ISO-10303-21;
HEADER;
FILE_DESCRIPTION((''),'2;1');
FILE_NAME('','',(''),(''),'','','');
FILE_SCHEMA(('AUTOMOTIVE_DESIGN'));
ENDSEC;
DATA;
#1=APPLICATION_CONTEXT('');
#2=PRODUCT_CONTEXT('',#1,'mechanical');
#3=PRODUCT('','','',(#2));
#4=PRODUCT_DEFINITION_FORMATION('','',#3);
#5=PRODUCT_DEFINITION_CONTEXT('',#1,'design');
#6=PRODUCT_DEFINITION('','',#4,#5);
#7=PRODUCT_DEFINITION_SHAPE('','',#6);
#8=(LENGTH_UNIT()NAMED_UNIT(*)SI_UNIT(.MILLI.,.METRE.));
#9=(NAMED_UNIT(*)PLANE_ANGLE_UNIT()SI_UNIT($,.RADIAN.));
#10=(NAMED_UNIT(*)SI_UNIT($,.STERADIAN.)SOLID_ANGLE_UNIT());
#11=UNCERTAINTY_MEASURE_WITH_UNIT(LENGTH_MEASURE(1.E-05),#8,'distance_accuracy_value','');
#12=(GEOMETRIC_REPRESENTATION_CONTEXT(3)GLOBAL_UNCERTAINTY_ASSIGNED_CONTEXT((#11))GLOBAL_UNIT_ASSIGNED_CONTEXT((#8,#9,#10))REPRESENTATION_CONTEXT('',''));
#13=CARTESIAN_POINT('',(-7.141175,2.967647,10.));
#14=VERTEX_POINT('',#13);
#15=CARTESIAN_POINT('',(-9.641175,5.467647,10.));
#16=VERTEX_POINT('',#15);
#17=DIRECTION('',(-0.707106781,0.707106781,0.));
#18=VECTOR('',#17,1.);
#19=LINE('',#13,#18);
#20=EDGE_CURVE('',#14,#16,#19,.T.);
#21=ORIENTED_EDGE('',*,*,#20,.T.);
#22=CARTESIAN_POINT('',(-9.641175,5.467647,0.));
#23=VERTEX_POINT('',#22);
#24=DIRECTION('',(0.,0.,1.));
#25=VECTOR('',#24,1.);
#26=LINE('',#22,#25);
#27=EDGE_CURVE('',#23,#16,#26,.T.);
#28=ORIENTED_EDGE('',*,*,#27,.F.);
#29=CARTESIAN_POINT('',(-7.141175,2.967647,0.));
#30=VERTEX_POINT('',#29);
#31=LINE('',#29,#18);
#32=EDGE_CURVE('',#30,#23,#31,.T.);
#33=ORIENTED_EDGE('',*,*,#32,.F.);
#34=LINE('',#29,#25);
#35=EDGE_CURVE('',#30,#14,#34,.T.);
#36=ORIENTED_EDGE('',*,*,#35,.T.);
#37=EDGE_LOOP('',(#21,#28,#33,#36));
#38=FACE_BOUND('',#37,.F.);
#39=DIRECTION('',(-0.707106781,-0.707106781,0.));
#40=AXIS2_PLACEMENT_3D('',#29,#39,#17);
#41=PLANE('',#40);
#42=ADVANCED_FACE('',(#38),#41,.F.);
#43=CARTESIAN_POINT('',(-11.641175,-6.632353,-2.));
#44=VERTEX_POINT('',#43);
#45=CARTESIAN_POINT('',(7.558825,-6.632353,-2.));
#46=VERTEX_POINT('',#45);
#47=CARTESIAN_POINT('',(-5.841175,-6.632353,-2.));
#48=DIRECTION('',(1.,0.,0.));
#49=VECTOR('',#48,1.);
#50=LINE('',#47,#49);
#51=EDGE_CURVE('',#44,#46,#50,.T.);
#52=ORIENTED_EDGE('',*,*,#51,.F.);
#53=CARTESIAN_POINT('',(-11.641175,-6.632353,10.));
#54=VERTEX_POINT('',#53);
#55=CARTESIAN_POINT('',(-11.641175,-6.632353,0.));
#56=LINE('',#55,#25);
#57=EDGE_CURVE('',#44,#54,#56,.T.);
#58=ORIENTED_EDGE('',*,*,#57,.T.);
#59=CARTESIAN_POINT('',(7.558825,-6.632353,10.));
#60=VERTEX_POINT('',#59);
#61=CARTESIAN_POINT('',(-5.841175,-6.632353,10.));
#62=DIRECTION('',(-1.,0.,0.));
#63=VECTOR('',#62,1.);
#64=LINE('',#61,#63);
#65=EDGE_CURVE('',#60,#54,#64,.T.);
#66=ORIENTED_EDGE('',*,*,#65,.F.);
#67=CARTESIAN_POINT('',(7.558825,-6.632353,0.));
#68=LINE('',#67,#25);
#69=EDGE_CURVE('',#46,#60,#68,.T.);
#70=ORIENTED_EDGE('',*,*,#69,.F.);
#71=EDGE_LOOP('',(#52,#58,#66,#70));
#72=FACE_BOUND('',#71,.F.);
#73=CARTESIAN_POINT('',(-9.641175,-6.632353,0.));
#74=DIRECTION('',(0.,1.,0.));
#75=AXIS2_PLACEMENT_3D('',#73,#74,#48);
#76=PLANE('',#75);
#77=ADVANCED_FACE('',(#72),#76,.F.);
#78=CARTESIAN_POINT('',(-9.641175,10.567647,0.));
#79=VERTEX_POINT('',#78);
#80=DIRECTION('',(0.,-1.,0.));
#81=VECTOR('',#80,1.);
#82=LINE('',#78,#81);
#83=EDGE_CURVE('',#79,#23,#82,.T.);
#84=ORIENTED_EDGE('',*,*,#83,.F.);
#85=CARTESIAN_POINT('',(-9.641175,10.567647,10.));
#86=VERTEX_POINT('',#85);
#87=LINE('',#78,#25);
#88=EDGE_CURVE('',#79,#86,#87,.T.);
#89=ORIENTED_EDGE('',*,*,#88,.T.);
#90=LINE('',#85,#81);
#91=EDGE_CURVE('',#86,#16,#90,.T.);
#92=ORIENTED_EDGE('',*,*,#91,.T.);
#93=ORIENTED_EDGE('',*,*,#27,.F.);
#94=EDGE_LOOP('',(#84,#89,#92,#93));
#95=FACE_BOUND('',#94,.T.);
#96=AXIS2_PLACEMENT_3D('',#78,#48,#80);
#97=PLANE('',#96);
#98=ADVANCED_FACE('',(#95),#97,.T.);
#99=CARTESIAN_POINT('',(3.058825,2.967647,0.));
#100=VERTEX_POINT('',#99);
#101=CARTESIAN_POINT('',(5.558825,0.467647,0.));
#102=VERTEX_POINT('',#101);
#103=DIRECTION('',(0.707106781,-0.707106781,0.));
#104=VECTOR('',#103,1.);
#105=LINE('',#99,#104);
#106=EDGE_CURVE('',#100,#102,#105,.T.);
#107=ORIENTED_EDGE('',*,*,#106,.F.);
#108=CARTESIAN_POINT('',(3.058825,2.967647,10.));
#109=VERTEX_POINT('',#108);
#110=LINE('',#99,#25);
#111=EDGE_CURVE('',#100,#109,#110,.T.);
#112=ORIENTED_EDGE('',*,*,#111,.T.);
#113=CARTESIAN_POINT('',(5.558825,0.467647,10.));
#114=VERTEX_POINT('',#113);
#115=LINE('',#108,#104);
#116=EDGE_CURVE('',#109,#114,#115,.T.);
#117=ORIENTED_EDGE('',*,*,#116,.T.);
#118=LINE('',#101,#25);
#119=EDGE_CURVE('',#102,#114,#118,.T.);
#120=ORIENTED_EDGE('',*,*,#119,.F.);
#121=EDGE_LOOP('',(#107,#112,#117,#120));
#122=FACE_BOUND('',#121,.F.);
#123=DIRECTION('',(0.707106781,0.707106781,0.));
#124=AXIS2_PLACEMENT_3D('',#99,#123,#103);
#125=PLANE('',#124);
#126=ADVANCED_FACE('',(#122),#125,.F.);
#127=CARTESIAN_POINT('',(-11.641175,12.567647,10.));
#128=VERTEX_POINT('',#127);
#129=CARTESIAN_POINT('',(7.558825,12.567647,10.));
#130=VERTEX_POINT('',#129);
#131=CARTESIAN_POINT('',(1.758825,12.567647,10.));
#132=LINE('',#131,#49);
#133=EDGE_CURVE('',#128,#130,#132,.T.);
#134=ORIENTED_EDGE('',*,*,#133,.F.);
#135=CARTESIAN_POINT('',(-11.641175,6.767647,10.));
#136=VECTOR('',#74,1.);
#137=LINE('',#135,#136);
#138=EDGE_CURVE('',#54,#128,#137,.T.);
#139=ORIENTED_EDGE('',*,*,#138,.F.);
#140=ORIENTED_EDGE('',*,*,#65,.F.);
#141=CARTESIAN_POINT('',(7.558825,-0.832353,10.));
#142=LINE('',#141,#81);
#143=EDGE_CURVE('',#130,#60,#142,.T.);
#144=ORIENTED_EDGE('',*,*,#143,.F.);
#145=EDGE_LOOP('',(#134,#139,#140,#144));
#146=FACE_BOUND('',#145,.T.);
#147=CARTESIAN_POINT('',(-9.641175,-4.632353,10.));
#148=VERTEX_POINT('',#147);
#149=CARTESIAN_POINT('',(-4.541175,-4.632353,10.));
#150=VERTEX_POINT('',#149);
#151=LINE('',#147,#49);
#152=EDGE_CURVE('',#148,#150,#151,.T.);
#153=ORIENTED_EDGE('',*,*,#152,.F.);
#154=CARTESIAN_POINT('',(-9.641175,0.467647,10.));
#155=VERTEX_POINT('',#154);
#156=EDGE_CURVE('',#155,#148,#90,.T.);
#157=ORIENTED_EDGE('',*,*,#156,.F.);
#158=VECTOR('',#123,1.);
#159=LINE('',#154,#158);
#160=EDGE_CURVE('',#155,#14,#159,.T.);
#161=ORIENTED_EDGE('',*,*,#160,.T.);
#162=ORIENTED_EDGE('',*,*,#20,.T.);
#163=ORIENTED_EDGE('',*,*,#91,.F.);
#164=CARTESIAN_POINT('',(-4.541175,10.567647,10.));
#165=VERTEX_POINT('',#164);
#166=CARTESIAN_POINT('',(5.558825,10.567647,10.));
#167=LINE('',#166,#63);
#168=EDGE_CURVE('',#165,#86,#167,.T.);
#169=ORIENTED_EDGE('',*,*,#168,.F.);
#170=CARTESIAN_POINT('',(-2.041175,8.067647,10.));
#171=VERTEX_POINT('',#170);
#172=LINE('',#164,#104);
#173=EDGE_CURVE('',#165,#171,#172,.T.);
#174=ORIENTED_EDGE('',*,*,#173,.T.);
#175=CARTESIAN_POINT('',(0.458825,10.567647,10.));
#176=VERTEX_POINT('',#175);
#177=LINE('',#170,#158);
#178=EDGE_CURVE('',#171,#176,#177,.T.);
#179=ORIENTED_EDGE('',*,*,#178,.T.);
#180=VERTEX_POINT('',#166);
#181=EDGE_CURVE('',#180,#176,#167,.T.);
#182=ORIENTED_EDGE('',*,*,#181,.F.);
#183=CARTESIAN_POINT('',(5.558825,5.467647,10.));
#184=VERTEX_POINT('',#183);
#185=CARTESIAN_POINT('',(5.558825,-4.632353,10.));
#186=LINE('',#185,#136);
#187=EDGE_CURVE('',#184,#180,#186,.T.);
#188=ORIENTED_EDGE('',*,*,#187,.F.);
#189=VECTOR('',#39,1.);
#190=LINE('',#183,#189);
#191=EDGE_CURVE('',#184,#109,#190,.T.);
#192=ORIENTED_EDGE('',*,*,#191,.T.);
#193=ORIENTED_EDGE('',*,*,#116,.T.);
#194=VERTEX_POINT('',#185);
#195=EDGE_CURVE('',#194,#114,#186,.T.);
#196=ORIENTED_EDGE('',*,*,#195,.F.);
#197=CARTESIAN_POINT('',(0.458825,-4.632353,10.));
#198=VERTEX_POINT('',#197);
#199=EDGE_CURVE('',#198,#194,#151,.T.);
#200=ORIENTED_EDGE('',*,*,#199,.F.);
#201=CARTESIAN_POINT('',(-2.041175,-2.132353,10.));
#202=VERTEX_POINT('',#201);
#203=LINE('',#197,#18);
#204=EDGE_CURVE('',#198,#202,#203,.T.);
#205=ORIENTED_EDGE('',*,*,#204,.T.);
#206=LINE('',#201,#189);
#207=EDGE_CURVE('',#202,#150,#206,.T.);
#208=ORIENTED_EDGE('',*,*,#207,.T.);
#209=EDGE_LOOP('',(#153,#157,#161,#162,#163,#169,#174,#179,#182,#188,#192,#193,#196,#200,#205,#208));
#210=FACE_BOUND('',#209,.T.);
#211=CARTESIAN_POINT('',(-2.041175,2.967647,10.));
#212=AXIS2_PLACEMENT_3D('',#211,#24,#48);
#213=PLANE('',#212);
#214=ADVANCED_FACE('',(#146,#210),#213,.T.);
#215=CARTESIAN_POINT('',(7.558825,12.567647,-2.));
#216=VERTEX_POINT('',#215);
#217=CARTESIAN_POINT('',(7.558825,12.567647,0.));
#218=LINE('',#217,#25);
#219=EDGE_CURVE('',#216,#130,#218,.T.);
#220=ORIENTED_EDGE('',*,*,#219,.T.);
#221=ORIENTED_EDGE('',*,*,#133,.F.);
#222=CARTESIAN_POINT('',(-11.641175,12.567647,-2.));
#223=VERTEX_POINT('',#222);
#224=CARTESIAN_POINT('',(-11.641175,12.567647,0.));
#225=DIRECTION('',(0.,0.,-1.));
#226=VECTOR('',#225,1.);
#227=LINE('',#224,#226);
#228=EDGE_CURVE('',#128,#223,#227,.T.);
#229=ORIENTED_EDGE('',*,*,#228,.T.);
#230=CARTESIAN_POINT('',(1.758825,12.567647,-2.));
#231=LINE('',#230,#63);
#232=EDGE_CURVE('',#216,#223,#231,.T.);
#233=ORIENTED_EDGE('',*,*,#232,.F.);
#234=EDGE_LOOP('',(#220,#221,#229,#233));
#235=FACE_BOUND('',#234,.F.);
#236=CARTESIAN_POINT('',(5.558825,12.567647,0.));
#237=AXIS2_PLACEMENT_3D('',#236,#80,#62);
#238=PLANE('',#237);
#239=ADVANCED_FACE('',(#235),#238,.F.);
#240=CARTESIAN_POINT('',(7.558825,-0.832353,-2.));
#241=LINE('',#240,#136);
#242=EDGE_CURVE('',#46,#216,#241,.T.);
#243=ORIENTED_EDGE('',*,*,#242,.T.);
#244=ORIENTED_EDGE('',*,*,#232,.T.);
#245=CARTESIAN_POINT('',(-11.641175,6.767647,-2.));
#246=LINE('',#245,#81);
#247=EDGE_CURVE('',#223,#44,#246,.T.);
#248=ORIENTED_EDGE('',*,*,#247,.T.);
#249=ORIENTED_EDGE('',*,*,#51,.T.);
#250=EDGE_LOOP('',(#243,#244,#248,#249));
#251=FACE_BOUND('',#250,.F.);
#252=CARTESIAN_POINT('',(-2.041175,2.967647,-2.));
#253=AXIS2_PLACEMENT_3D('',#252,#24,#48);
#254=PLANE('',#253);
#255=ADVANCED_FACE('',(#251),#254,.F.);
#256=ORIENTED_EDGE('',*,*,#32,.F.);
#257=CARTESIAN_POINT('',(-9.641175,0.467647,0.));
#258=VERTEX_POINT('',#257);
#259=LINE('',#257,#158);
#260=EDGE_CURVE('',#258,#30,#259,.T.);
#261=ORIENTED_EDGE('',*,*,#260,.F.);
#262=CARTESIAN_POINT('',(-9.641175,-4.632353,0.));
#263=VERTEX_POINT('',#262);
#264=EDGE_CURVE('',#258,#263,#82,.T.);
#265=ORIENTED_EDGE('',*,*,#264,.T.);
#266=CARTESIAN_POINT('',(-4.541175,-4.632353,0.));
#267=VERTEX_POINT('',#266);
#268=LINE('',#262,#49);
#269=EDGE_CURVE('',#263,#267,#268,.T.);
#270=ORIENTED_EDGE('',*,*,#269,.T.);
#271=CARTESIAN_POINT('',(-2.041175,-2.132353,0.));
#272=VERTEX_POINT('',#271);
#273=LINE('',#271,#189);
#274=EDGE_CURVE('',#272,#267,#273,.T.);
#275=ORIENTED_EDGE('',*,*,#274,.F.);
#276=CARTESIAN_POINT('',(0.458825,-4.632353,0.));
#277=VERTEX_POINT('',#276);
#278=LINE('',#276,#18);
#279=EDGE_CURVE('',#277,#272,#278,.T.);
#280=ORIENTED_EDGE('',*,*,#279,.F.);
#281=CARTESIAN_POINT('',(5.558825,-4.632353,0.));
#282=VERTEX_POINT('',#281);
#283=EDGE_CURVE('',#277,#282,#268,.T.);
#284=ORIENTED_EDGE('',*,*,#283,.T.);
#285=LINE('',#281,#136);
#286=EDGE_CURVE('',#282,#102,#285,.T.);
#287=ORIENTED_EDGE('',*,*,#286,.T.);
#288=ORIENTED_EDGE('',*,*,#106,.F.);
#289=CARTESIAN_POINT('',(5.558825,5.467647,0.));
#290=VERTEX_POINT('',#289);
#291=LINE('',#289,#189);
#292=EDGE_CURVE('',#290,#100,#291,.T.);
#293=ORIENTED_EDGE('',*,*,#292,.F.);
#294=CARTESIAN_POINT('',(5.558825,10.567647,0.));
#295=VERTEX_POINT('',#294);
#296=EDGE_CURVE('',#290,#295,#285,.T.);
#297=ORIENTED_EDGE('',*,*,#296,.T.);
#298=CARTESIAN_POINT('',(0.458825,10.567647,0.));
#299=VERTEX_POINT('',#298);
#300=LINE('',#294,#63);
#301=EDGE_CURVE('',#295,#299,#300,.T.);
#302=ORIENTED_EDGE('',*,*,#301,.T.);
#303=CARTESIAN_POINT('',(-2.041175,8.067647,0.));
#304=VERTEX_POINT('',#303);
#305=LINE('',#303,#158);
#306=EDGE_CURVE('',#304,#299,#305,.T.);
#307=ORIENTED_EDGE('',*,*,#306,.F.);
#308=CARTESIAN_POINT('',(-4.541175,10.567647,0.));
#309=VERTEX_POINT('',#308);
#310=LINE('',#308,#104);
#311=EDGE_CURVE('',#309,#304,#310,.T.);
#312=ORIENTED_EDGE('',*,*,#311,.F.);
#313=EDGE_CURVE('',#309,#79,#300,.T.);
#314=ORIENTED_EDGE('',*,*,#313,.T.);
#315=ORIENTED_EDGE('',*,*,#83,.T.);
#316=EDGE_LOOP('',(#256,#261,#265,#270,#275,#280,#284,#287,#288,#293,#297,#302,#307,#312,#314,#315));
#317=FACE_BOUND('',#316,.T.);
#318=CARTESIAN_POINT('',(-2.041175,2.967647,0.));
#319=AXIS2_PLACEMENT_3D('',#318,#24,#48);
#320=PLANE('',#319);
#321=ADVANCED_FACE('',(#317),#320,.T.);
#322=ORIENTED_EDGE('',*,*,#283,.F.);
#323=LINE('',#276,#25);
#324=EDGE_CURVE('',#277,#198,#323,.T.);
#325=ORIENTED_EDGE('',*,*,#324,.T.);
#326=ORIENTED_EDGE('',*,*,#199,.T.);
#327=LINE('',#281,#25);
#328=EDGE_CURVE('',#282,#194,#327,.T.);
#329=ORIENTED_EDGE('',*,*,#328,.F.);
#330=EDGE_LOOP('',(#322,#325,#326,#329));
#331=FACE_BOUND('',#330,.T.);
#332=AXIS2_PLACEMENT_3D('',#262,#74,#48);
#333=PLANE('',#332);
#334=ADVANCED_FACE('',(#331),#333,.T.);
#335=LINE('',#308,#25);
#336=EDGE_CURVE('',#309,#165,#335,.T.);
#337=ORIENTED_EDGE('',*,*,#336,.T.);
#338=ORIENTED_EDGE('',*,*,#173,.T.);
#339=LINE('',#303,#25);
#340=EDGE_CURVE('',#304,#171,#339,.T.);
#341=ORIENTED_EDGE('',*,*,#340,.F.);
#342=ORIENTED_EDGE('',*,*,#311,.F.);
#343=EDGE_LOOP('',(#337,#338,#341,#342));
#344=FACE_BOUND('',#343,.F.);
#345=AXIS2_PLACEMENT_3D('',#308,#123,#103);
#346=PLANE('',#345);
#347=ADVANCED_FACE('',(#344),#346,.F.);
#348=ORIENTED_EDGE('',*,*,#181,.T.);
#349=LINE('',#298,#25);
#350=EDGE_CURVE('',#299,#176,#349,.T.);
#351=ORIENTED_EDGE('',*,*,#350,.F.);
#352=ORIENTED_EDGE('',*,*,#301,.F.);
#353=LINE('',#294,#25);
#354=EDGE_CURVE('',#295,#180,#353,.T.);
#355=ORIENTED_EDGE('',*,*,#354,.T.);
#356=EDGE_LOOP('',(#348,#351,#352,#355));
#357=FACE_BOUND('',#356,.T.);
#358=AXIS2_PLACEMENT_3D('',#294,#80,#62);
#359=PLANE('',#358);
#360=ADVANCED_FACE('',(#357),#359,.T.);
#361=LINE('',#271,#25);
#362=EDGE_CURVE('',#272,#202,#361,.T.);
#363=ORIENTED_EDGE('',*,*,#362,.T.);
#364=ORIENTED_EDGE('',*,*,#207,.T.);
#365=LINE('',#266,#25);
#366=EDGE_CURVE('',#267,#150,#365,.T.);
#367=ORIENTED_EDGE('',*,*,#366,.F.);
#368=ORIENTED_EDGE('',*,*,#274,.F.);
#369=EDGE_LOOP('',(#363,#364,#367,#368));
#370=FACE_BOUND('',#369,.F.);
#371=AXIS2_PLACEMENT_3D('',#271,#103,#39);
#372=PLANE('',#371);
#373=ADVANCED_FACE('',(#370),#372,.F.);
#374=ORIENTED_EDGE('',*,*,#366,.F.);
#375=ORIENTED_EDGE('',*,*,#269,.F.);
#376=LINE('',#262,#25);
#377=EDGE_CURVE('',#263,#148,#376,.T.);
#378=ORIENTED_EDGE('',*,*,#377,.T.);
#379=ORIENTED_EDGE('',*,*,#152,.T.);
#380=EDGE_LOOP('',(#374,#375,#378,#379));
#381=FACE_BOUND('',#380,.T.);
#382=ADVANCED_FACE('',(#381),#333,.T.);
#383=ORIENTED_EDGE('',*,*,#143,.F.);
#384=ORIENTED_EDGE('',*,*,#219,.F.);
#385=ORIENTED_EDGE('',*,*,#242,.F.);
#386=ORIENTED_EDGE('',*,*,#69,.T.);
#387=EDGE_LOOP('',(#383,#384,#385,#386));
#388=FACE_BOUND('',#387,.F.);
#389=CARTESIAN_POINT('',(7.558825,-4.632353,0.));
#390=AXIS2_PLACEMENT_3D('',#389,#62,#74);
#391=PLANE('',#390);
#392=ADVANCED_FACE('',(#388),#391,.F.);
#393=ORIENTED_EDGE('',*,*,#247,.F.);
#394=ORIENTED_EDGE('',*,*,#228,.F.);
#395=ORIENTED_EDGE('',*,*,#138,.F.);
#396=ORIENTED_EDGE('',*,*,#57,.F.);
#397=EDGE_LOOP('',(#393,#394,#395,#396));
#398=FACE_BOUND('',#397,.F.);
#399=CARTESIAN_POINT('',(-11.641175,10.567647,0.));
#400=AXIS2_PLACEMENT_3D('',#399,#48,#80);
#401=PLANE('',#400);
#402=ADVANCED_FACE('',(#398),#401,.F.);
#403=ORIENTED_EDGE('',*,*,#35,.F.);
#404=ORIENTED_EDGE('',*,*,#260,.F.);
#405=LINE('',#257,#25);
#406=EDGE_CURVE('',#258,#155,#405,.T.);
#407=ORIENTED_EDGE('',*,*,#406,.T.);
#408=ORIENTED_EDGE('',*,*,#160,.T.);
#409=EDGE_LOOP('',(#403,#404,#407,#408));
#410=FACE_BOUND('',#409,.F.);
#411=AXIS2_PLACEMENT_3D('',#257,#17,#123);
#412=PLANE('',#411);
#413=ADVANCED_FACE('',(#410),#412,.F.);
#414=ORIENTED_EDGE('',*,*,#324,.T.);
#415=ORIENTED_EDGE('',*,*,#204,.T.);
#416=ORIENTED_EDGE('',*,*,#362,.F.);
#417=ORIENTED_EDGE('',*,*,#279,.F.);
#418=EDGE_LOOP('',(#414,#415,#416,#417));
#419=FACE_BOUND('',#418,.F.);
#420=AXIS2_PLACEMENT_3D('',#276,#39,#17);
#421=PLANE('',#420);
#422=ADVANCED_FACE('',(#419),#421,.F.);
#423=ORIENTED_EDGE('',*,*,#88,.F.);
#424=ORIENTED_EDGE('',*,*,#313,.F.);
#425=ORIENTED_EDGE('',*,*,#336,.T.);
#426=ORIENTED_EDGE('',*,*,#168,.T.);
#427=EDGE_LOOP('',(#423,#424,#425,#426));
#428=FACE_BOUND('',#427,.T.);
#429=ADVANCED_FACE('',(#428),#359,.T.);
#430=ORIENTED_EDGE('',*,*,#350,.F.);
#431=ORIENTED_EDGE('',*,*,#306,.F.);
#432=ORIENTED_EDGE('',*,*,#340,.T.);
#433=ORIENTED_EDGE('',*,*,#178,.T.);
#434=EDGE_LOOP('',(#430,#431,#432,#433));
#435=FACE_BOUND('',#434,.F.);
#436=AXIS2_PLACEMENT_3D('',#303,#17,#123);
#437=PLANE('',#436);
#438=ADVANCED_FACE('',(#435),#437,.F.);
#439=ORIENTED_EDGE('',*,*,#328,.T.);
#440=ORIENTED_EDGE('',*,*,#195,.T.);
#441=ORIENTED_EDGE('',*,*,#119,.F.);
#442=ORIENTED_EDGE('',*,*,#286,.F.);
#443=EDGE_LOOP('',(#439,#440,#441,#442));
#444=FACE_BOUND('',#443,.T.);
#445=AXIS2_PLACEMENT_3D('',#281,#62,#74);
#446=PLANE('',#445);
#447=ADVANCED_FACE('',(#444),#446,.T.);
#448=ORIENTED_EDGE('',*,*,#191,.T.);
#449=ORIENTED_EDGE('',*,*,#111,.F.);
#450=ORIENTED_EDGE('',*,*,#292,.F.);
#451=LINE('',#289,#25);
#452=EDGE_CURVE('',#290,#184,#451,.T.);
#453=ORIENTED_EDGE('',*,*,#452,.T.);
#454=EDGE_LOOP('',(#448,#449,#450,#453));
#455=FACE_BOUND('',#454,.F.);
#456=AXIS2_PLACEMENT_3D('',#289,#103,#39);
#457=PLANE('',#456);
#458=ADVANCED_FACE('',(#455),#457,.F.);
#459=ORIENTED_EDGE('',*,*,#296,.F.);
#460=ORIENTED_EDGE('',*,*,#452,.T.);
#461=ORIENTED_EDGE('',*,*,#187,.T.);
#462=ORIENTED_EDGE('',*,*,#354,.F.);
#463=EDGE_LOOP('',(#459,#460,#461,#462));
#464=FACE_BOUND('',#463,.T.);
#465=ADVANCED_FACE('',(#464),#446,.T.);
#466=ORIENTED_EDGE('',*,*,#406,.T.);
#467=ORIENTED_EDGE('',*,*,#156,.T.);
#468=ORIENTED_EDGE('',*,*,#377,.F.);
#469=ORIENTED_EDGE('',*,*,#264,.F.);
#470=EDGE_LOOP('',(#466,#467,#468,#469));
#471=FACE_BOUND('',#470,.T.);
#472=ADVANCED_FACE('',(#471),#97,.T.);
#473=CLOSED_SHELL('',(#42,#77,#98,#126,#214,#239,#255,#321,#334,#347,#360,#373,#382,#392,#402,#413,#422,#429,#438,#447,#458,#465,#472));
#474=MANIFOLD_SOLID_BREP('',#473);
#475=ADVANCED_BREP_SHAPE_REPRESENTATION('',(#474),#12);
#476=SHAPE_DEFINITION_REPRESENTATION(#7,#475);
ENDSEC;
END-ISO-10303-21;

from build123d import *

# Parameters (mm, degrees)
F1_DEPTH = 10
F2_T     = 2
F3_DEPTH = 10


with BuildPart() as f1:
    # F0 (on Top) → F1 (new body)
    with BuildSketch(Plane.XY):
        Polygon((-4.5411753677, 10.567646683), (-9.6411753677, 10.567646683), (-9.6411753677, 5.467646683), (-7.1411753677, 2.967646683), (-9.6411753677, 0.467646683), (-9.6411753677, -4.632353317), (-4.5411753677, -4.632353317), (-2.0411753677, -2.132353317), (0.4588246323, -4.632353317), (5.5588246323, -4.632353317), (5.5588246323, 0.467646683), (3.0588246323, 2.967646683), (5.5588246323, 5.467646683), (5.5588246323, 10.567646683), (0.4588246323, 10.567646683), (-2.0411753677, 8.067646683), align=None)
        Polygon((-7.1411753677, 2.967646683), (-9.6411753677, 5.467646683), (-9.6411753677, 0.467646683), align=None)
        Polygon((-2.0411753677, -2.132353317), (-4.5411753677, -4.632353317), (0.4588246323, -4.632353317), align=None)
        Polygon((5.5588246323, 0.467646683), (5.5588246323, 5.467646683), (3.0588246323, 2.967646683), align=None)
        Polygon((0.4588246323, 10.567646683), (-4.5411753677, 10.567646683), (-2.0411753677, 8.067646683), align=None)
    extrude(amount=F1_DEPTH)

    # F2
    f2_openings = [f1.faces().sort_by_distance(p)[0] for p in [
        (-2.041175, 2.967647, 10),
    ]]
    offset(amount=F2_T, openings=f2_openings, kind=Kind.INTERSECTION)

    # F0 (on Top) → F3 (join)
    with BuildSketch(Plane.XY):
        Polygon((0.4588246323, 10.567646683), (-4.5411753677, 10.567646683), (-2.0411753677, 8.067646683), align=None)
        Polygon((5.5588246323, 0.467646683), (5.5588246323, 5.467646683), (3.0588246323, 2.967646683), align=None)
        Polygon((-7.1411753677, 2.967646683), (-9.6411753677, 5.467646683), (-9.6411753677, 0.467646683), align=None)
        Polygon((-2.0411753677, -2.132353317), (-4.5411753677, -4.632353317), (0.4588246323, -4.632353317), align=None)
    extrude(amount=F3_DEPTH)


solid = f1.part
